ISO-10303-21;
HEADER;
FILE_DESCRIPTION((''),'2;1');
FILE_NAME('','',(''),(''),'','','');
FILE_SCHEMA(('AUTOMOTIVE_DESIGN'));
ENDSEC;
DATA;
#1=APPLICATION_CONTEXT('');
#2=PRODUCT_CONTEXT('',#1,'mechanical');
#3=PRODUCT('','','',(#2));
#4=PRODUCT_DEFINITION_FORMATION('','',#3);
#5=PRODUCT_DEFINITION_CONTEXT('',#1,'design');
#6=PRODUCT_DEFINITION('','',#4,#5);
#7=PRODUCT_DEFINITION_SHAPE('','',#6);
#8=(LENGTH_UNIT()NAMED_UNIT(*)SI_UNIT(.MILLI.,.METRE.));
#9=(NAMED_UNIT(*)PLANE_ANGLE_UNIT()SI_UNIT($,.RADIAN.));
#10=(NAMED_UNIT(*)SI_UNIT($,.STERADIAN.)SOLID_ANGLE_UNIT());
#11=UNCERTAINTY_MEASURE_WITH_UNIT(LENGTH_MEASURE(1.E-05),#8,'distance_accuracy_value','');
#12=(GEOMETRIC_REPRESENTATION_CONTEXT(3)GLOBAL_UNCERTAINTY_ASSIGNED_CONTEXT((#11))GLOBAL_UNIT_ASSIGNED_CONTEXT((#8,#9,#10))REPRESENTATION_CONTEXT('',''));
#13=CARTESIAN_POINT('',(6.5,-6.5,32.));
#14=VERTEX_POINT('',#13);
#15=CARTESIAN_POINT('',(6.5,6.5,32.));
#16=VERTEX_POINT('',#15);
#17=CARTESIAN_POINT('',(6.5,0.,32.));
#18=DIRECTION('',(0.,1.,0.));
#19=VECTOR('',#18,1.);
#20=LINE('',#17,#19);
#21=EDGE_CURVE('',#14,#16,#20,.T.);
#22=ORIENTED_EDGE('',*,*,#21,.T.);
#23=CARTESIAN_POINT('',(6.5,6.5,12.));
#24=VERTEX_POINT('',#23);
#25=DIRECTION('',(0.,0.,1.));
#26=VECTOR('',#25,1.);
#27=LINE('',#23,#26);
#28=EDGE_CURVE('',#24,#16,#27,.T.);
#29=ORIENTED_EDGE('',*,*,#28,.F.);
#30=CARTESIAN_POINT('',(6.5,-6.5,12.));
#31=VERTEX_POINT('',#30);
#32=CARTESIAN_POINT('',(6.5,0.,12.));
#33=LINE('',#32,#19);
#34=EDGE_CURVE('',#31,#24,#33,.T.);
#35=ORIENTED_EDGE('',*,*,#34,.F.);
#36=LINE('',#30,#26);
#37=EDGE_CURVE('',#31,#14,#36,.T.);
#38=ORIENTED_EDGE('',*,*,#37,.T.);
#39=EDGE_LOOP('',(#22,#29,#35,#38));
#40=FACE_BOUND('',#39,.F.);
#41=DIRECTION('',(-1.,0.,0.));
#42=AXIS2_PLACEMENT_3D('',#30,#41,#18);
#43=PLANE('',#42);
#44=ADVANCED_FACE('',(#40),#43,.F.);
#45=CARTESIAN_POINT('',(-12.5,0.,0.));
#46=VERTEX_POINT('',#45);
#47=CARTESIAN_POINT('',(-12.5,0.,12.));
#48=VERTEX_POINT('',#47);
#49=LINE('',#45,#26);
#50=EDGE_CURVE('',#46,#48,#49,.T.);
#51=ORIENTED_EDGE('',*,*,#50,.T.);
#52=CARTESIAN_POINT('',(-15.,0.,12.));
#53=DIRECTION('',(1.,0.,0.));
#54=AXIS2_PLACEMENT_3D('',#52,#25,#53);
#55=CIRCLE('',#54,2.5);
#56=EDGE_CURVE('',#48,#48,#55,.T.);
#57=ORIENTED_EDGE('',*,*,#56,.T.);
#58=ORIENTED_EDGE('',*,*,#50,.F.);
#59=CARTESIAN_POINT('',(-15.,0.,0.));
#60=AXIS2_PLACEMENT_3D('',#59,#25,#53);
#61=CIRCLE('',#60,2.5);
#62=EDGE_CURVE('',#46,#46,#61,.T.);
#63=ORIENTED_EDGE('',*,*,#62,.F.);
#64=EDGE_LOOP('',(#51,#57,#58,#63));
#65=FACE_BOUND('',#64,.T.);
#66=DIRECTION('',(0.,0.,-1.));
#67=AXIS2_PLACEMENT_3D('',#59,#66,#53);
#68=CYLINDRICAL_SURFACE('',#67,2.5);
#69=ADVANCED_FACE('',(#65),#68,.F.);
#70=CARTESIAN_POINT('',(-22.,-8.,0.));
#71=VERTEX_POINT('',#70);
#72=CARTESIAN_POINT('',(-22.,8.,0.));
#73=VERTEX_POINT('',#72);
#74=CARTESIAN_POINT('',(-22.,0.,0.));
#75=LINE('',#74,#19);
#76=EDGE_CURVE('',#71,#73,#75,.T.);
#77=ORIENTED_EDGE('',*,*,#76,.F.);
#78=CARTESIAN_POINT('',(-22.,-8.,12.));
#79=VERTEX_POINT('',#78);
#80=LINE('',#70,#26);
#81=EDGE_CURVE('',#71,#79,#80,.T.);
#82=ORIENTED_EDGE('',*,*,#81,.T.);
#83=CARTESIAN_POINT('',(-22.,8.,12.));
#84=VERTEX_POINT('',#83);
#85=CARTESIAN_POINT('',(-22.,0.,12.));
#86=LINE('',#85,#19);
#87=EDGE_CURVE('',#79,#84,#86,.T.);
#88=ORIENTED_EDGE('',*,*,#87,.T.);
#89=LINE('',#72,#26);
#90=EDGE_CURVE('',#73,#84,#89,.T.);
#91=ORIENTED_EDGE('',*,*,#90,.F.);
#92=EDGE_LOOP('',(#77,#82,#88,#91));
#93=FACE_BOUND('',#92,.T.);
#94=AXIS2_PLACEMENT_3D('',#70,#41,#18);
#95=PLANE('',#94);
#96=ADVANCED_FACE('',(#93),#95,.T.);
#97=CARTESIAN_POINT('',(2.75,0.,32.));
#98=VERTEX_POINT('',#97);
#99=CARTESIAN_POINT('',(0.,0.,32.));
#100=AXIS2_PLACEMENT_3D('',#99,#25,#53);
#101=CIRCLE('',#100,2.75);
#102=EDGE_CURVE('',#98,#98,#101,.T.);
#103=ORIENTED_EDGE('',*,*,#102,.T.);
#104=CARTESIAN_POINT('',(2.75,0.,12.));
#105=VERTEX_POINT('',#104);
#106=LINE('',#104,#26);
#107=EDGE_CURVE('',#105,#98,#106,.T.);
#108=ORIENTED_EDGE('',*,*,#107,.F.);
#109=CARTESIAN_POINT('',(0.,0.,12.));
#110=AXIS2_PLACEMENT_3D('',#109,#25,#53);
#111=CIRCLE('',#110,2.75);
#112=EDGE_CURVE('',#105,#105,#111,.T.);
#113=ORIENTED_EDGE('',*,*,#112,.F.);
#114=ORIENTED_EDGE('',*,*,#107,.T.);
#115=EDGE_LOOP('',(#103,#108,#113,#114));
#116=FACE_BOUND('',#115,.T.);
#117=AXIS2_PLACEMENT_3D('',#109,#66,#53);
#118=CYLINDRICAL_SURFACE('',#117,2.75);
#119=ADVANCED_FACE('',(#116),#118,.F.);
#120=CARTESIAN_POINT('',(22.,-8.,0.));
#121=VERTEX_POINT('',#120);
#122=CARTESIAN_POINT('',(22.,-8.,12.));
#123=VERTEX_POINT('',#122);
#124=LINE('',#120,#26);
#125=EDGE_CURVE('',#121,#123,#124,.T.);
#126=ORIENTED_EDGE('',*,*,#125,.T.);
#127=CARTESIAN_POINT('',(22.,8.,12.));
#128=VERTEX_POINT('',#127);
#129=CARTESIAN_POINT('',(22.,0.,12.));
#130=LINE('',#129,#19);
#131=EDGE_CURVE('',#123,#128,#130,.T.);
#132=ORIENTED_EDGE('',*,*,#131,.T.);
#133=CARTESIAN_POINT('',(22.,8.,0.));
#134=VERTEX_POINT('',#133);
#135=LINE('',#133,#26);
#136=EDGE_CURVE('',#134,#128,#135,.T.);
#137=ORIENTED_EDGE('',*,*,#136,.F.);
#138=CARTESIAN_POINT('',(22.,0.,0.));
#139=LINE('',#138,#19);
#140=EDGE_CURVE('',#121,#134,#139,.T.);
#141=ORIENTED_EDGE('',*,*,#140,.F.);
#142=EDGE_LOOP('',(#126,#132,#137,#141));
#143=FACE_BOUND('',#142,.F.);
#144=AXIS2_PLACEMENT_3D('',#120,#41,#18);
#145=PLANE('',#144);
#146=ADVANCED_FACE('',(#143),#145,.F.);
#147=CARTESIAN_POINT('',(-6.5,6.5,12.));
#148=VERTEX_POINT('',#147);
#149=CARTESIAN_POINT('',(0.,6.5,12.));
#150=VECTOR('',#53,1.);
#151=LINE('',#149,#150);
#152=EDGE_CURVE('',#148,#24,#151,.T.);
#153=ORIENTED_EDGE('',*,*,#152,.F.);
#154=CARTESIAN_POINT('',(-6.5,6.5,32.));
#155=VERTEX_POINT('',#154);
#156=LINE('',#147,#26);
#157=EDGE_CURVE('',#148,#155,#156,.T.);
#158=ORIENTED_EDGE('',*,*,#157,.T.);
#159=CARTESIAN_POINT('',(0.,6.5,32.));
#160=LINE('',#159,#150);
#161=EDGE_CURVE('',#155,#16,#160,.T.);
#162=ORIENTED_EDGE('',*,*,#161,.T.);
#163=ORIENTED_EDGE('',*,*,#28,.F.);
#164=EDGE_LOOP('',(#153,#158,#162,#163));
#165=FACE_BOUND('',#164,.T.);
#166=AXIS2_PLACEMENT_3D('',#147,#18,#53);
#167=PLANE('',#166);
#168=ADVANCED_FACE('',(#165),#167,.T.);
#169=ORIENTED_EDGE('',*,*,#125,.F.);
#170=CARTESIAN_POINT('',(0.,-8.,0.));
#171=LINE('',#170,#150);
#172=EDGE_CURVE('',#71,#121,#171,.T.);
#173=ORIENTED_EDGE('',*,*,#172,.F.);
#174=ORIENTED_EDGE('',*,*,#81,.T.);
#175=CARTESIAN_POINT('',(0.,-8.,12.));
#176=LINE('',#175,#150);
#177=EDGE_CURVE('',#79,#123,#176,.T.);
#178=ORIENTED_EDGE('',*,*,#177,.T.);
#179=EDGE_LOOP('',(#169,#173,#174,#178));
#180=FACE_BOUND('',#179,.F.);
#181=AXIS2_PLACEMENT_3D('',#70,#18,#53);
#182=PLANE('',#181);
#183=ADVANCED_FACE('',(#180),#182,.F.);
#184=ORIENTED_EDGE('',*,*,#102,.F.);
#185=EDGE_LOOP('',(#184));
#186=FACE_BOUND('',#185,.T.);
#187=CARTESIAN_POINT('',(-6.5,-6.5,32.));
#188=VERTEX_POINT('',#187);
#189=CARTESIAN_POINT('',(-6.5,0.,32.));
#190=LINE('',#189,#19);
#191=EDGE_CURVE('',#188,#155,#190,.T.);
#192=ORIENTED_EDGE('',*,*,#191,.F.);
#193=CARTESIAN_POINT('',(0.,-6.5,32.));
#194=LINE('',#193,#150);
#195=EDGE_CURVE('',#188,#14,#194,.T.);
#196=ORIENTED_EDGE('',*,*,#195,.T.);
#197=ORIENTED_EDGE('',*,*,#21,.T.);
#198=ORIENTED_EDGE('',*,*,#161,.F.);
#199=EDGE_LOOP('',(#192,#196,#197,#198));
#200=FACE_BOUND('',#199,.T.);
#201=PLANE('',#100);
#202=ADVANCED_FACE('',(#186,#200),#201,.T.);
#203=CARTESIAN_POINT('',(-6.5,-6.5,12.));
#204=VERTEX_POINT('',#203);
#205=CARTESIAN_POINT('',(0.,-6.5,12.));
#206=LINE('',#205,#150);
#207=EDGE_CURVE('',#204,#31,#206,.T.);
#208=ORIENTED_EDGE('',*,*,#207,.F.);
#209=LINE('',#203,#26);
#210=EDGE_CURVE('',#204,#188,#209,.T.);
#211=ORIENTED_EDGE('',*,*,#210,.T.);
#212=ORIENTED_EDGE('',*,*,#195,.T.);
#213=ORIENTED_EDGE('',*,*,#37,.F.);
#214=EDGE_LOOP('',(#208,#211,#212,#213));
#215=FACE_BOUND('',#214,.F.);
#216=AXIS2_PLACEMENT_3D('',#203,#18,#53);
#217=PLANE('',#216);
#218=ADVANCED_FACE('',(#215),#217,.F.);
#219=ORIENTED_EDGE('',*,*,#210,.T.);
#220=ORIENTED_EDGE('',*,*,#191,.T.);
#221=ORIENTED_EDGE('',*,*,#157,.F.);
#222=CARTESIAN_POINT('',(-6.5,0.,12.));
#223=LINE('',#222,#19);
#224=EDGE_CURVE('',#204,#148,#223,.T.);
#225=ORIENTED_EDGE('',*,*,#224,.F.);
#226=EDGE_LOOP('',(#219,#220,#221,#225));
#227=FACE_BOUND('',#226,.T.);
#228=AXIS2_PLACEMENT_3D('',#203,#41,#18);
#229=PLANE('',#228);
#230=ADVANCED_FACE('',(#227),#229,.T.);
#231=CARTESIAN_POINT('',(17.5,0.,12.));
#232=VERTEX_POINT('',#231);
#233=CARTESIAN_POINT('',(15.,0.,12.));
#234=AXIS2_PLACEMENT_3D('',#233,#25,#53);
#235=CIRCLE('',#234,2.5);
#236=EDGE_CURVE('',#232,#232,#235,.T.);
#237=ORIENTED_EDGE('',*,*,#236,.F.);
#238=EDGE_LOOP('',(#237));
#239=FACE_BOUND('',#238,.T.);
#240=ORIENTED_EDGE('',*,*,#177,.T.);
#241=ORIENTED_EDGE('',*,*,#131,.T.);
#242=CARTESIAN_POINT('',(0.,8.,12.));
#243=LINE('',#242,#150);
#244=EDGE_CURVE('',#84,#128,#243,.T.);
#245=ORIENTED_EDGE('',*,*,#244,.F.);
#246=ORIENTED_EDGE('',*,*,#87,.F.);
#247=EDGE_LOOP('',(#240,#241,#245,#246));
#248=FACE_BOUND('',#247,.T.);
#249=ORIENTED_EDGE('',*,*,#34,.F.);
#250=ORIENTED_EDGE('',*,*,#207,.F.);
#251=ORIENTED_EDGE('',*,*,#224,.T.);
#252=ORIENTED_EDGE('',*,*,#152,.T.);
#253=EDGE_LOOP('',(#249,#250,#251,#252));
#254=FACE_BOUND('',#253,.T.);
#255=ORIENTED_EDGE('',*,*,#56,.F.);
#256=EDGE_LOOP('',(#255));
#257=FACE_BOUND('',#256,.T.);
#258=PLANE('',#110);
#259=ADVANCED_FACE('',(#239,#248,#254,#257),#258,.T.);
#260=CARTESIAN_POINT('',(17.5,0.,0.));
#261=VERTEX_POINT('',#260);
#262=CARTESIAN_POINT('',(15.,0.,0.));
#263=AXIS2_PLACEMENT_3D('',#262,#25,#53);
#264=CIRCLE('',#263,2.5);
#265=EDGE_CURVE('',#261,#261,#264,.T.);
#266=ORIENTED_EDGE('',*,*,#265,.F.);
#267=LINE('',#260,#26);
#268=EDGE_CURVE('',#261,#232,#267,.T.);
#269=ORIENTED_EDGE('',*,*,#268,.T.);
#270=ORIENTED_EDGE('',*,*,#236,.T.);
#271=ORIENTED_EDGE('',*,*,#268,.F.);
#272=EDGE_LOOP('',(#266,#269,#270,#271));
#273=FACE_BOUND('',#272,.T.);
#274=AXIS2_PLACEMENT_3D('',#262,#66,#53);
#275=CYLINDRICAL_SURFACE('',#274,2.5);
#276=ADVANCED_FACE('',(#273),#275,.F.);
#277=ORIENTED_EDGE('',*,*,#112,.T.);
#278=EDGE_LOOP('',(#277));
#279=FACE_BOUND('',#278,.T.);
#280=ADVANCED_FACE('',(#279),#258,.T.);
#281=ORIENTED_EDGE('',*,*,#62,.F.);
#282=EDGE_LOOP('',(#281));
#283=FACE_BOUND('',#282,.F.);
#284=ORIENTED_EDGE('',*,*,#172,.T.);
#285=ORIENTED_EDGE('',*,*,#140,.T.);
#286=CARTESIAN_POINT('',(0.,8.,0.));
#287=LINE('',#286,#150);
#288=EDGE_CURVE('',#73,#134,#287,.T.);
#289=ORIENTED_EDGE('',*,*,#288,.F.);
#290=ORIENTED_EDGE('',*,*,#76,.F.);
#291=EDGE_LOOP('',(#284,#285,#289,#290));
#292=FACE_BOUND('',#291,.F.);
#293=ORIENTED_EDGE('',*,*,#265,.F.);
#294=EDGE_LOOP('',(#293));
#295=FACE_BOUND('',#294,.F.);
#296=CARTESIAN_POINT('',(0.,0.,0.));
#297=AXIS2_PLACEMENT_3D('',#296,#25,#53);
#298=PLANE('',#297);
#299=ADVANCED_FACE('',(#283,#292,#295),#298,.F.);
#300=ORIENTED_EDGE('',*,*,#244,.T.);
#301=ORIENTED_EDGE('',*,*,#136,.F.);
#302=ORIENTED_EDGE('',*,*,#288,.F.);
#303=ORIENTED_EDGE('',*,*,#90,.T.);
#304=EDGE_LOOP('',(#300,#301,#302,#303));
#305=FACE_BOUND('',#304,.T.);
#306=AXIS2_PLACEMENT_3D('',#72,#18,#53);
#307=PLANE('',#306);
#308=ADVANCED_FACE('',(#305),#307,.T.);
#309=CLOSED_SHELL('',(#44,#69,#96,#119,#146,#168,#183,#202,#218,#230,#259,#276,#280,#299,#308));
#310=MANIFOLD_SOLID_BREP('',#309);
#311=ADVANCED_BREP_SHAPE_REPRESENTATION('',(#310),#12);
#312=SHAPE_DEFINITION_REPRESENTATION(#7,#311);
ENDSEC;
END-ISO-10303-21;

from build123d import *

# Parameters (mm, degrees)
F0_W     = 44
F0_H     = 16
F0_R     = 2.5
F1_DEPTH = 12
F2_W     = 13
F2_H     = 13
F2_R     = 2.75
F3_DEPTH = 20


with BuildPart() as f1:
    # F0 (on Top) → F1 (new body)
    with BuildSketch(Plane.XY):
        Rectangle(F0_W, F0_H)
        with Locations((-15, 0)):
            Circle(F0_R, mode=Mode.SUBTRACT)
        with Locations((15, 0)):
            Circle(F0_R, mode=Mode.SUBTRACT)
    extrude(amount=F1_DEPTH)

    # F2 (on face) → F3 (join)
    with BuildSketch(Plane.XY.offset(12)):
        Rectangle(F2_W, F2_H)
        Circle(F2_R, mode=Mode.SUBTRACT)
    extrude(amount=F3_DEPTH)


solid = f1.part
